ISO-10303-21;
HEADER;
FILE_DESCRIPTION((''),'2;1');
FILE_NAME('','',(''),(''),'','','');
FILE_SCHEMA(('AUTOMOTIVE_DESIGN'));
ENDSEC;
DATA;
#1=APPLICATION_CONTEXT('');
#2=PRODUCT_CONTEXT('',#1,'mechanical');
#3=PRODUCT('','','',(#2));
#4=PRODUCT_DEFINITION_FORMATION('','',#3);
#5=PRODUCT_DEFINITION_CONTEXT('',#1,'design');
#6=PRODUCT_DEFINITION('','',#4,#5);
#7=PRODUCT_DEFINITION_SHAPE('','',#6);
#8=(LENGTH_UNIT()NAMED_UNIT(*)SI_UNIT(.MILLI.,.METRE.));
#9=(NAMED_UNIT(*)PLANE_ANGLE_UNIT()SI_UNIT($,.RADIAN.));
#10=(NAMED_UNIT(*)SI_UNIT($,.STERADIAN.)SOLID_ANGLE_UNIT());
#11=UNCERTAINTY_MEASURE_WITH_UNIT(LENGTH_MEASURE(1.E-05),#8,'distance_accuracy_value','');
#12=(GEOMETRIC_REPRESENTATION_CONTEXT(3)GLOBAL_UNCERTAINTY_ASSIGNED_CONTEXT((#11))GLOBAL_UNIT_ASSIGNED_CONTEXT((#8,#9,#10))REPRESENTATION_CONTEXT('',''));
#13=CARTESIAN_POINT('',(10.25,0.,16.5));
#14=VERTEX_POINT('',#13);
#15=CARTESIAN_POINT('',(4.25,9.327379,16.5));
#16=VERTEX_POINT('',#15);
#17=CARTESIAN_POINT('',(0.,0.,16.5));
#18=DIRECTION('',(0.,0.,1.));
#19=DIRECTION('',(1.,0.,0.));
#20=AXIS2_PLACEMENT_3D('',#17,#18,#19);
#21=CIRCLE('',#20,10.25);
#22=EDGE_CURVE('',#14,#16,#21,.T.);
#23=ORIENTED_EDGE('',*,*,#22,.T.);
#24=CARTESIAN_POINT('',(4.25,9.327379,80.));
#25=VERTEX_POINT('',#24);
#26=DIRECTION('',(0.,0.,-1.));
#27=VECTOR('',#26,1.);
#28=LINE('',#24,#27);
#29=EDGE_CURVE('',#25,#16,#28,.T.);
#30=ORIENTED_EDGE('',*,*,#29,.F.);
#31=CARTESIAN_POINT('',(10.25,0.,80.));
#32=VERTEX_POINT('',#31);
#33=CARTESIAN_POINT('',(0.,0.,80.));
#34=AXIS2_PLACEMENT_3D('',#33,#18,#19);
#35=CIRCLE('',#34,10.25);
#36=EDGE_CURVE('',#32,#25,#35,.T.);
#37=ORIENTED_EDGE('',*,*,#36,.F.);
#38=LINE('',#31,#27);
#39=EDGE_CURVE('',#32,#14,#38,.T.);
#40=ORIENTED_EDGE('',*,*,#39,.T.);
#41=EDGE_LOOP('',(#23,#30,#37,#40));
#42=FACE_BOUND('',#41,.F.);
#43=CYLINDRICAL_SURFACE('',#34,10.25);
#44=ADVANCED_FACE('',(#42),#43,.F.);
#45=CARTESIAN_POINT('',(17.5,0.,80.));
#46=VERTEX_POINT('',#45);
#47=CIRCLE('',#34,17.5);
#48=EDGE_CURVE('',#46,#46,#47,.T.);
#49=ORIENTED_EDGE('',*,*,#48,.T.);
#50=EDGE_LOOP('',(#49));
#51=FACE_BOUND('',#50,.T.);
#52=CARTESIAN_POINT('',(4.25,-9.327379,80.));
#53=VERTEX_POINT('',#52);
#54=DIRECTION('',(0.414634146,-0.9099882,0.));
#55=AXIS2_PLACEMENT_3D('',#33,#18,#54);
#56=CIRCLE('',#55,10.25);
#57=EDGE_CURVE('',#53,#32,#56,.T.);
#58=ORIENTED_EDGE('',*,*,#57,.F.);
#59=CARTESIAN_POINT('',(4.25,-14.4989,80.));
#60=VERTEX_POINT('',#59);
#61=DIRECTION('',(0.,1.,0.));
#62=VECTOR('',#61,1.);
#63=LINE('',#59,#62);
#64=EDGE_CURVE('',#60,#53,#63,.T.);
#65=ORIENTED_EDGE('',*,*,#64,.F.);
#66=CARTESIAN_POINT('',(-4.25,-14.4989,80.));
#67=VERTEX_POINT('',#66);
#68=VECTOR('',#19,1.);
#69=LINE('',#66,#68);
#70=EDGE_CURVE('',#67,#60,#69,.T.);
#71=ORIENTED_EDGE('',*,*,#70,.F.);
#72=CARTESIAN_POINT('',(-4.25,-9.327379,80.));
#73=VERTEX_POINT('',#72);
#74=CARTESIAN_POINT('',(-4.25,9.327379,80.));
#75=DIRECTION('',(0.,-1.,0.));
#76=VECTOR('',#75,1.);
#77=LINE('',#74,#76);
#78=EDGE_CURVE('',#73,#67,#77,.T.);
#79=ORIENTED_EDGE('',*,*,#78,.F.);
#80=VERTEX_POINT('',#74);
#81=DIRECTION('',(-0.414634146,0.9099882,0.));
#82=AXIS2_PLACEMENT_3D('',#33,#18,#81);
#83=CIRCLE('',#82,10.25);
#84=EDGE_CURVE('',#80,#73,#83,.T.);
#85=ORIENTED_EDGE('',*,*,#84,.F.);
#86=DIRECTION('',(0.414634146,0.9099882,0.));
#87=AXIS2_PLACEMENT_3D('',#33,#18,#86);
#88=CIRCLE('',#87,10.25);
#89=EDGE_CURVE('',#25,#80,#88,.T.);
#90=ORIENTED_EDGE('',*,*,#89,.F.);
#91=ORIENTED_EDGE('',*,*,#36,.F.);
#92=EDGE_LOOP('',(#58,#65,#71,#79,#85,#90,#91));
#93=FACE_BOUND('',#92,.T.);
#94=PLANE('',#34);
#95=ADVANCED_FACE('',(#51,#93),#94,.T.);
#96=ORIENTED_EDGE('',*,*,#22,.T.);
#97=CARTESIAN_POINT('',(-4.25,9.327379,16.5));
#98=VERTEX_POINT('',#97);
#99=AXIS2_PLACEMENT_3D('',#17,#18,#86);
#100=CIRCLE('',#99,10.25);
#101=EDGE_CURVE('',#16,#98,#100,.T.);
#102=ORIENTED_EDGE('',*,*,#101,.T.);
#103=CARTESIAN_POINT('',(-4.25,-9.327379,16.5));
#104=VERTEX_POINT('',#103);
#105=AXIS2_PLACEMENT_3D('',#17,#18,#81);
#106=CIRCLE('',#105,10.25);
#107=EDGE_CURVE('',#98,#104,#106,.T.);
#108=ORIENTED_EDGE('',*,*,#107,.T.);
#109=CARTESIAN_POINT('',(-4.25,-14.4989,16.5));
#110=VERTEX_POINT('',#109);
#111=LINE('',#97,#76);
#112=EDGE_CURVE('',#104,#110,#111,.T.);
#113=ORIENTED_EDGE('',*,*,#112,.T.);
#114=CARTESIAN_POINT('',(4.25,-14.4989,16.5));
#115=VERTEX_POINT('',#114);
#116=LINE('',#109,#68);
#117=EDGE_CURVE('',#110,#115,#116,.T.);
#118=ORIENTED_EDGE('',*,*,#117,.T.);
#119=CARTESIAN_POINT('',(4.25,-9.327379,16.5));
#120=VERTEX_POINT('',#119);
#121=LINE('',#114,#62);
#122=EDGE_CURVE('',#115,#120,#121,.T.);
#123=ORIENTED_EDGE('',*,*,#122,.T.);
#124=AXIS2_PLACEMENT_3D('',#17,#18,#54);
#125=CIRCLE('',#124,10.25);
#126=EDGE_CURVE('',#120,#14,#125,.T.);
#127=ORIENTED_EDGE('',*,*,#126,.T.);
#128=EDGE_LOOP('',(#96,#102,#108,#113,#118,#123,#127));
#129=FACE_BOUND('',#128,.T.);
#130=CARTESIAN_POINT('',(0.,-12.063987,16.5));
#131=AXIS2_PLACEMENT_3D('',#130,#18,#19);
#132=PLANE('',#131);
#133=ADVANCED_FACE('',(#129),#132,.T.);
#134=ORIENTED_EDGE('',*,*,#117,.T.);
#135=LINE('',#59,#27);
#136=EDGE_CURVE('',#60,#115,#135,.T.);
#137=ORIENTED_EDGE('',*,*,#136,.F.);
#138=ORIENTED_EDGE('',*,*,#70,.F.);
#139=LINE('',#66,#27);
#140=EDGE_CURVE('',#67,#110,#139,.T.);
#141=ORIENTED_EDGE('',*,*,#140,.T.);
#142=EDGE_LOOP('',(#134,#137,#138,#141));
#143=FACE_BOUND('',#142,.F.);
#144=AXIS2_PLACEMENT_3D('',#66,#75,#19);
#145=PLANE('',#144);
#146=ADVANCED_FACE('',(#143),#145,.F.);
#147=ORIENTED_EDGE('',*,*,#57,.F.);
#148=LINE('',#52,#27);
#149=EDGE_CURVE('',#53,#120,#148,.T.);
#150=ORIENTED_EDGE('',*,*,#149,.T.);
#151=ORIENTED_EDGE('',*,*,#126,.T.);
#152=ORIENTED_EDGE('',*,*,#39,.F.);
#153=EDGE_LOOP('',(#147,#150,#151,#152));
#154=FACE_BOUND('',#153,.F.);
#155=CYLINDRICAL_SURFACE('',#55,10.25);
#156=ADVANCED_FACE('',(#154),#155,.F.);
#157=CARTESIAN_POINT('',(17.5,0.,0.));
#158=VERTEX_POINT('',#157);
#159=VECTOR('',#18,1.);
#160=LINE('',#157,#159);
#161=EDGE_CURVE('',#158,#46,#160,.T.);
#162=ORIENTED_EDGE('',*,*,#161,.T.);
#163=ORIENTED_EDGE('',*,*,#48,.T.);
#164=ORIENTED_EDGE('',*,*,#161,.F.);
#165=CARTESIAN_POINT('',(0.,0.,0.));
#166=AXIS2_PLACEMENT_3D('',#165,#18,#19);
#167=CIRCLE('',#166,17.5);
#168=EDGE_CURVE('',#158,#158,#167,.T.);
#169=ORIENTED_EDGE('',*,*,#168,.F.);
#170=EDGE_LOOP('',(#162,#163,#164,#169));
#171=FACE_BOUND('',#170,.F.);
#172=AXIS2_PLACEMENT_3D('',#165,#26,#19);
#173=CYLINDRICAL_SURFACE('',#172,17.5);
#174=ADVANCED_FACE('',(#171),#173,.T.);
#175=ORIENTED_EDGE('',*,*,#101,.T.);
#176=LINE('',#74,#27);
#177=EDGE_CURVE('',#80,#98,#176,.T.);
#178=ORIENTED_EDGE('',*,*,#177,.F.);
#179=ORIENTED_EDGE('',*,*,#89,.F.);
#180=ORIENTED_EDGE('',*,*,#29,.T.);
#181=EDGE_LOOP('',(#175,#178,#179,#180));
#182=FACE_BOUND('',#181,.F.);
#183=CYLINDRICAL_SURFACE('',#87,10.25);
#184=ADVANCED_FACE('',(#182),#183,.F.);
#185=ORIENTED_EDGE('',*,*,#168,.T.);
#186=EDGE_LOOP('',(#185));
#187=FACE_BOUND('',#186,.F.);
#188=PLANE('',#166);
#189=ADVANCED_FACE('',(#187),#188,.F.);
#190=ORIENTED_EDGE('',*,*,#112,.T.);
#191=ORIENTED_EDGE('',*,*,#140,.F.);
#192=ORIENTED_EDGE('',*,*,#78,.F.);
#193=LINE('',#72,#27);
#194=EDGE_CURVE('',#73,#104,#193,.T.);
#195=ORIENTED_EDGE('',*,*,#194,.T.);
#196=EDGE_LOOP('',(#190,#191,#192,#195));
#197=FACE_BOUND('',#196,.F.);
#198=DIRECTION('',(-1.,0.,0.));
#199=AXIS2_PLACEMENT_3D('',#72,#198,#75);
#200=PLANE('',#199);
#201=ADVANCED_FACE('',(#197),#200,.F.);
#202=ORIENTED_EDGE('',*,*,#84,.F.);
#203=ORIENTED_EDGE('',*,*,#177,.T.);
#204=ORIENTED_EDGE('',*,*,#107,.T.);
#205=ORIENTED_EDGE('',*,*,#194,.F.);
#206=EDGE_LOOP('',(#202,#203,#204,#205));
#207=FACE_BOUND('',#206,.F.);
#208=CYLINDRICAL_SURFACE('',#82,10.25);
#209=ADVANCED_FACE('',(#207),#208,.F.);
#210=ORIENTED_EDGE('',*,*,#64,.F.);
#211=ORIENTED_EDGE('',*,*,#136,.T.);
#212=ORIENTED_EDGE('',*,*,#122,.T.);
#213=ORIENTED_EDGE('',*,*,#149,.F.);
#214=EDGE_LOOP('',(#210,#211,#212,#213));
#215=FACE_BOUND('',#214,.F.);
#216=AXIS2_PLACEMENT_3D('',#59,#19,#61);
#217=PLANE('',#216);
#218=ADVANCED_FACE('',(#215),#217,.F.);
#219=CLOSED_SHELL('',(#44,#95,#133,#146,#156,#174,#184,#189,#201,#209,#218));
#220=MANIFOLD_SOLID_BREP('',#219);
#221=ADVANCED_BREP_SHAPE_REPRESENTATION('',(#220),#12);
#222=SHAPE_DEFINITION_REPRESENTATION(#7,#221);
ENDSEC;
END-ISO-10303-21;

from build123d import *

# Parameters (mm, degrees)
F0_R     = 17.5
F1_DEPTH = 80
F3_DEPTH = 63.5


with BuildPart() as f1:
    # F0 (on Top) → F1 (new body)
    with BuildSketch(Plane.XY):
        Circle(F0_R)
    extrude(amount=F1_DEPTH)

    # F2 (on face) → F3 (cut)
    with BuildSketch(Plane.XY.offset(80)):
        with BuildLine():
            Line((4.25, -14.4989), (4.25, -9.3273790531))
            ThreePointArc((4.25, -9.3273790531), (0, -10.25), (-4.25, -9.3273790531))
            Line((-4.25, -9.3273790531), (-4.25, -14.4989))
            Line((-4.25, -14.4989), (4.25, -14.4989))
        make_face()
        with BuildLine():
            ThreePointArc((4.25, -9.3273790531), (8.6204698248, -5.5452682532), (10.25, 0))
            ThreePointArc((10.25, 0), (8.6204698248, 5.5452682532), (4.25, 9.3273790531))
            Line((4.25, 9.3273790531), (4.25, -9.3273790531))
        make_face()
        with BuildLine():
            Line((4.25, -9.3273790531), (4.25, 9.3273790531))
            ThreePointArc((4.25, 9.3273790531), (0, 10.25), (-4.25, 9.3273790531))
            Line((-4.25, 9.3273790531), (-4.25, -9.3273790531))
            ThreePointArc((-4.25, -9.3273790531), (0, -10.25), (4.25, -9.3273790531))
        make_face()
        with BuildLine():
            Line((-4.25, -9.3273790531), (-4.25, 9.3273790531))
            ThreePointArc((-4.25, 9.3273790531), (-10.25, 0), (-4.25, -9.3273790531))
        make_face()
    extrude(amount=-F3_DEPTH, mode=Mode.SUBTRACT)


solid = f1.part
